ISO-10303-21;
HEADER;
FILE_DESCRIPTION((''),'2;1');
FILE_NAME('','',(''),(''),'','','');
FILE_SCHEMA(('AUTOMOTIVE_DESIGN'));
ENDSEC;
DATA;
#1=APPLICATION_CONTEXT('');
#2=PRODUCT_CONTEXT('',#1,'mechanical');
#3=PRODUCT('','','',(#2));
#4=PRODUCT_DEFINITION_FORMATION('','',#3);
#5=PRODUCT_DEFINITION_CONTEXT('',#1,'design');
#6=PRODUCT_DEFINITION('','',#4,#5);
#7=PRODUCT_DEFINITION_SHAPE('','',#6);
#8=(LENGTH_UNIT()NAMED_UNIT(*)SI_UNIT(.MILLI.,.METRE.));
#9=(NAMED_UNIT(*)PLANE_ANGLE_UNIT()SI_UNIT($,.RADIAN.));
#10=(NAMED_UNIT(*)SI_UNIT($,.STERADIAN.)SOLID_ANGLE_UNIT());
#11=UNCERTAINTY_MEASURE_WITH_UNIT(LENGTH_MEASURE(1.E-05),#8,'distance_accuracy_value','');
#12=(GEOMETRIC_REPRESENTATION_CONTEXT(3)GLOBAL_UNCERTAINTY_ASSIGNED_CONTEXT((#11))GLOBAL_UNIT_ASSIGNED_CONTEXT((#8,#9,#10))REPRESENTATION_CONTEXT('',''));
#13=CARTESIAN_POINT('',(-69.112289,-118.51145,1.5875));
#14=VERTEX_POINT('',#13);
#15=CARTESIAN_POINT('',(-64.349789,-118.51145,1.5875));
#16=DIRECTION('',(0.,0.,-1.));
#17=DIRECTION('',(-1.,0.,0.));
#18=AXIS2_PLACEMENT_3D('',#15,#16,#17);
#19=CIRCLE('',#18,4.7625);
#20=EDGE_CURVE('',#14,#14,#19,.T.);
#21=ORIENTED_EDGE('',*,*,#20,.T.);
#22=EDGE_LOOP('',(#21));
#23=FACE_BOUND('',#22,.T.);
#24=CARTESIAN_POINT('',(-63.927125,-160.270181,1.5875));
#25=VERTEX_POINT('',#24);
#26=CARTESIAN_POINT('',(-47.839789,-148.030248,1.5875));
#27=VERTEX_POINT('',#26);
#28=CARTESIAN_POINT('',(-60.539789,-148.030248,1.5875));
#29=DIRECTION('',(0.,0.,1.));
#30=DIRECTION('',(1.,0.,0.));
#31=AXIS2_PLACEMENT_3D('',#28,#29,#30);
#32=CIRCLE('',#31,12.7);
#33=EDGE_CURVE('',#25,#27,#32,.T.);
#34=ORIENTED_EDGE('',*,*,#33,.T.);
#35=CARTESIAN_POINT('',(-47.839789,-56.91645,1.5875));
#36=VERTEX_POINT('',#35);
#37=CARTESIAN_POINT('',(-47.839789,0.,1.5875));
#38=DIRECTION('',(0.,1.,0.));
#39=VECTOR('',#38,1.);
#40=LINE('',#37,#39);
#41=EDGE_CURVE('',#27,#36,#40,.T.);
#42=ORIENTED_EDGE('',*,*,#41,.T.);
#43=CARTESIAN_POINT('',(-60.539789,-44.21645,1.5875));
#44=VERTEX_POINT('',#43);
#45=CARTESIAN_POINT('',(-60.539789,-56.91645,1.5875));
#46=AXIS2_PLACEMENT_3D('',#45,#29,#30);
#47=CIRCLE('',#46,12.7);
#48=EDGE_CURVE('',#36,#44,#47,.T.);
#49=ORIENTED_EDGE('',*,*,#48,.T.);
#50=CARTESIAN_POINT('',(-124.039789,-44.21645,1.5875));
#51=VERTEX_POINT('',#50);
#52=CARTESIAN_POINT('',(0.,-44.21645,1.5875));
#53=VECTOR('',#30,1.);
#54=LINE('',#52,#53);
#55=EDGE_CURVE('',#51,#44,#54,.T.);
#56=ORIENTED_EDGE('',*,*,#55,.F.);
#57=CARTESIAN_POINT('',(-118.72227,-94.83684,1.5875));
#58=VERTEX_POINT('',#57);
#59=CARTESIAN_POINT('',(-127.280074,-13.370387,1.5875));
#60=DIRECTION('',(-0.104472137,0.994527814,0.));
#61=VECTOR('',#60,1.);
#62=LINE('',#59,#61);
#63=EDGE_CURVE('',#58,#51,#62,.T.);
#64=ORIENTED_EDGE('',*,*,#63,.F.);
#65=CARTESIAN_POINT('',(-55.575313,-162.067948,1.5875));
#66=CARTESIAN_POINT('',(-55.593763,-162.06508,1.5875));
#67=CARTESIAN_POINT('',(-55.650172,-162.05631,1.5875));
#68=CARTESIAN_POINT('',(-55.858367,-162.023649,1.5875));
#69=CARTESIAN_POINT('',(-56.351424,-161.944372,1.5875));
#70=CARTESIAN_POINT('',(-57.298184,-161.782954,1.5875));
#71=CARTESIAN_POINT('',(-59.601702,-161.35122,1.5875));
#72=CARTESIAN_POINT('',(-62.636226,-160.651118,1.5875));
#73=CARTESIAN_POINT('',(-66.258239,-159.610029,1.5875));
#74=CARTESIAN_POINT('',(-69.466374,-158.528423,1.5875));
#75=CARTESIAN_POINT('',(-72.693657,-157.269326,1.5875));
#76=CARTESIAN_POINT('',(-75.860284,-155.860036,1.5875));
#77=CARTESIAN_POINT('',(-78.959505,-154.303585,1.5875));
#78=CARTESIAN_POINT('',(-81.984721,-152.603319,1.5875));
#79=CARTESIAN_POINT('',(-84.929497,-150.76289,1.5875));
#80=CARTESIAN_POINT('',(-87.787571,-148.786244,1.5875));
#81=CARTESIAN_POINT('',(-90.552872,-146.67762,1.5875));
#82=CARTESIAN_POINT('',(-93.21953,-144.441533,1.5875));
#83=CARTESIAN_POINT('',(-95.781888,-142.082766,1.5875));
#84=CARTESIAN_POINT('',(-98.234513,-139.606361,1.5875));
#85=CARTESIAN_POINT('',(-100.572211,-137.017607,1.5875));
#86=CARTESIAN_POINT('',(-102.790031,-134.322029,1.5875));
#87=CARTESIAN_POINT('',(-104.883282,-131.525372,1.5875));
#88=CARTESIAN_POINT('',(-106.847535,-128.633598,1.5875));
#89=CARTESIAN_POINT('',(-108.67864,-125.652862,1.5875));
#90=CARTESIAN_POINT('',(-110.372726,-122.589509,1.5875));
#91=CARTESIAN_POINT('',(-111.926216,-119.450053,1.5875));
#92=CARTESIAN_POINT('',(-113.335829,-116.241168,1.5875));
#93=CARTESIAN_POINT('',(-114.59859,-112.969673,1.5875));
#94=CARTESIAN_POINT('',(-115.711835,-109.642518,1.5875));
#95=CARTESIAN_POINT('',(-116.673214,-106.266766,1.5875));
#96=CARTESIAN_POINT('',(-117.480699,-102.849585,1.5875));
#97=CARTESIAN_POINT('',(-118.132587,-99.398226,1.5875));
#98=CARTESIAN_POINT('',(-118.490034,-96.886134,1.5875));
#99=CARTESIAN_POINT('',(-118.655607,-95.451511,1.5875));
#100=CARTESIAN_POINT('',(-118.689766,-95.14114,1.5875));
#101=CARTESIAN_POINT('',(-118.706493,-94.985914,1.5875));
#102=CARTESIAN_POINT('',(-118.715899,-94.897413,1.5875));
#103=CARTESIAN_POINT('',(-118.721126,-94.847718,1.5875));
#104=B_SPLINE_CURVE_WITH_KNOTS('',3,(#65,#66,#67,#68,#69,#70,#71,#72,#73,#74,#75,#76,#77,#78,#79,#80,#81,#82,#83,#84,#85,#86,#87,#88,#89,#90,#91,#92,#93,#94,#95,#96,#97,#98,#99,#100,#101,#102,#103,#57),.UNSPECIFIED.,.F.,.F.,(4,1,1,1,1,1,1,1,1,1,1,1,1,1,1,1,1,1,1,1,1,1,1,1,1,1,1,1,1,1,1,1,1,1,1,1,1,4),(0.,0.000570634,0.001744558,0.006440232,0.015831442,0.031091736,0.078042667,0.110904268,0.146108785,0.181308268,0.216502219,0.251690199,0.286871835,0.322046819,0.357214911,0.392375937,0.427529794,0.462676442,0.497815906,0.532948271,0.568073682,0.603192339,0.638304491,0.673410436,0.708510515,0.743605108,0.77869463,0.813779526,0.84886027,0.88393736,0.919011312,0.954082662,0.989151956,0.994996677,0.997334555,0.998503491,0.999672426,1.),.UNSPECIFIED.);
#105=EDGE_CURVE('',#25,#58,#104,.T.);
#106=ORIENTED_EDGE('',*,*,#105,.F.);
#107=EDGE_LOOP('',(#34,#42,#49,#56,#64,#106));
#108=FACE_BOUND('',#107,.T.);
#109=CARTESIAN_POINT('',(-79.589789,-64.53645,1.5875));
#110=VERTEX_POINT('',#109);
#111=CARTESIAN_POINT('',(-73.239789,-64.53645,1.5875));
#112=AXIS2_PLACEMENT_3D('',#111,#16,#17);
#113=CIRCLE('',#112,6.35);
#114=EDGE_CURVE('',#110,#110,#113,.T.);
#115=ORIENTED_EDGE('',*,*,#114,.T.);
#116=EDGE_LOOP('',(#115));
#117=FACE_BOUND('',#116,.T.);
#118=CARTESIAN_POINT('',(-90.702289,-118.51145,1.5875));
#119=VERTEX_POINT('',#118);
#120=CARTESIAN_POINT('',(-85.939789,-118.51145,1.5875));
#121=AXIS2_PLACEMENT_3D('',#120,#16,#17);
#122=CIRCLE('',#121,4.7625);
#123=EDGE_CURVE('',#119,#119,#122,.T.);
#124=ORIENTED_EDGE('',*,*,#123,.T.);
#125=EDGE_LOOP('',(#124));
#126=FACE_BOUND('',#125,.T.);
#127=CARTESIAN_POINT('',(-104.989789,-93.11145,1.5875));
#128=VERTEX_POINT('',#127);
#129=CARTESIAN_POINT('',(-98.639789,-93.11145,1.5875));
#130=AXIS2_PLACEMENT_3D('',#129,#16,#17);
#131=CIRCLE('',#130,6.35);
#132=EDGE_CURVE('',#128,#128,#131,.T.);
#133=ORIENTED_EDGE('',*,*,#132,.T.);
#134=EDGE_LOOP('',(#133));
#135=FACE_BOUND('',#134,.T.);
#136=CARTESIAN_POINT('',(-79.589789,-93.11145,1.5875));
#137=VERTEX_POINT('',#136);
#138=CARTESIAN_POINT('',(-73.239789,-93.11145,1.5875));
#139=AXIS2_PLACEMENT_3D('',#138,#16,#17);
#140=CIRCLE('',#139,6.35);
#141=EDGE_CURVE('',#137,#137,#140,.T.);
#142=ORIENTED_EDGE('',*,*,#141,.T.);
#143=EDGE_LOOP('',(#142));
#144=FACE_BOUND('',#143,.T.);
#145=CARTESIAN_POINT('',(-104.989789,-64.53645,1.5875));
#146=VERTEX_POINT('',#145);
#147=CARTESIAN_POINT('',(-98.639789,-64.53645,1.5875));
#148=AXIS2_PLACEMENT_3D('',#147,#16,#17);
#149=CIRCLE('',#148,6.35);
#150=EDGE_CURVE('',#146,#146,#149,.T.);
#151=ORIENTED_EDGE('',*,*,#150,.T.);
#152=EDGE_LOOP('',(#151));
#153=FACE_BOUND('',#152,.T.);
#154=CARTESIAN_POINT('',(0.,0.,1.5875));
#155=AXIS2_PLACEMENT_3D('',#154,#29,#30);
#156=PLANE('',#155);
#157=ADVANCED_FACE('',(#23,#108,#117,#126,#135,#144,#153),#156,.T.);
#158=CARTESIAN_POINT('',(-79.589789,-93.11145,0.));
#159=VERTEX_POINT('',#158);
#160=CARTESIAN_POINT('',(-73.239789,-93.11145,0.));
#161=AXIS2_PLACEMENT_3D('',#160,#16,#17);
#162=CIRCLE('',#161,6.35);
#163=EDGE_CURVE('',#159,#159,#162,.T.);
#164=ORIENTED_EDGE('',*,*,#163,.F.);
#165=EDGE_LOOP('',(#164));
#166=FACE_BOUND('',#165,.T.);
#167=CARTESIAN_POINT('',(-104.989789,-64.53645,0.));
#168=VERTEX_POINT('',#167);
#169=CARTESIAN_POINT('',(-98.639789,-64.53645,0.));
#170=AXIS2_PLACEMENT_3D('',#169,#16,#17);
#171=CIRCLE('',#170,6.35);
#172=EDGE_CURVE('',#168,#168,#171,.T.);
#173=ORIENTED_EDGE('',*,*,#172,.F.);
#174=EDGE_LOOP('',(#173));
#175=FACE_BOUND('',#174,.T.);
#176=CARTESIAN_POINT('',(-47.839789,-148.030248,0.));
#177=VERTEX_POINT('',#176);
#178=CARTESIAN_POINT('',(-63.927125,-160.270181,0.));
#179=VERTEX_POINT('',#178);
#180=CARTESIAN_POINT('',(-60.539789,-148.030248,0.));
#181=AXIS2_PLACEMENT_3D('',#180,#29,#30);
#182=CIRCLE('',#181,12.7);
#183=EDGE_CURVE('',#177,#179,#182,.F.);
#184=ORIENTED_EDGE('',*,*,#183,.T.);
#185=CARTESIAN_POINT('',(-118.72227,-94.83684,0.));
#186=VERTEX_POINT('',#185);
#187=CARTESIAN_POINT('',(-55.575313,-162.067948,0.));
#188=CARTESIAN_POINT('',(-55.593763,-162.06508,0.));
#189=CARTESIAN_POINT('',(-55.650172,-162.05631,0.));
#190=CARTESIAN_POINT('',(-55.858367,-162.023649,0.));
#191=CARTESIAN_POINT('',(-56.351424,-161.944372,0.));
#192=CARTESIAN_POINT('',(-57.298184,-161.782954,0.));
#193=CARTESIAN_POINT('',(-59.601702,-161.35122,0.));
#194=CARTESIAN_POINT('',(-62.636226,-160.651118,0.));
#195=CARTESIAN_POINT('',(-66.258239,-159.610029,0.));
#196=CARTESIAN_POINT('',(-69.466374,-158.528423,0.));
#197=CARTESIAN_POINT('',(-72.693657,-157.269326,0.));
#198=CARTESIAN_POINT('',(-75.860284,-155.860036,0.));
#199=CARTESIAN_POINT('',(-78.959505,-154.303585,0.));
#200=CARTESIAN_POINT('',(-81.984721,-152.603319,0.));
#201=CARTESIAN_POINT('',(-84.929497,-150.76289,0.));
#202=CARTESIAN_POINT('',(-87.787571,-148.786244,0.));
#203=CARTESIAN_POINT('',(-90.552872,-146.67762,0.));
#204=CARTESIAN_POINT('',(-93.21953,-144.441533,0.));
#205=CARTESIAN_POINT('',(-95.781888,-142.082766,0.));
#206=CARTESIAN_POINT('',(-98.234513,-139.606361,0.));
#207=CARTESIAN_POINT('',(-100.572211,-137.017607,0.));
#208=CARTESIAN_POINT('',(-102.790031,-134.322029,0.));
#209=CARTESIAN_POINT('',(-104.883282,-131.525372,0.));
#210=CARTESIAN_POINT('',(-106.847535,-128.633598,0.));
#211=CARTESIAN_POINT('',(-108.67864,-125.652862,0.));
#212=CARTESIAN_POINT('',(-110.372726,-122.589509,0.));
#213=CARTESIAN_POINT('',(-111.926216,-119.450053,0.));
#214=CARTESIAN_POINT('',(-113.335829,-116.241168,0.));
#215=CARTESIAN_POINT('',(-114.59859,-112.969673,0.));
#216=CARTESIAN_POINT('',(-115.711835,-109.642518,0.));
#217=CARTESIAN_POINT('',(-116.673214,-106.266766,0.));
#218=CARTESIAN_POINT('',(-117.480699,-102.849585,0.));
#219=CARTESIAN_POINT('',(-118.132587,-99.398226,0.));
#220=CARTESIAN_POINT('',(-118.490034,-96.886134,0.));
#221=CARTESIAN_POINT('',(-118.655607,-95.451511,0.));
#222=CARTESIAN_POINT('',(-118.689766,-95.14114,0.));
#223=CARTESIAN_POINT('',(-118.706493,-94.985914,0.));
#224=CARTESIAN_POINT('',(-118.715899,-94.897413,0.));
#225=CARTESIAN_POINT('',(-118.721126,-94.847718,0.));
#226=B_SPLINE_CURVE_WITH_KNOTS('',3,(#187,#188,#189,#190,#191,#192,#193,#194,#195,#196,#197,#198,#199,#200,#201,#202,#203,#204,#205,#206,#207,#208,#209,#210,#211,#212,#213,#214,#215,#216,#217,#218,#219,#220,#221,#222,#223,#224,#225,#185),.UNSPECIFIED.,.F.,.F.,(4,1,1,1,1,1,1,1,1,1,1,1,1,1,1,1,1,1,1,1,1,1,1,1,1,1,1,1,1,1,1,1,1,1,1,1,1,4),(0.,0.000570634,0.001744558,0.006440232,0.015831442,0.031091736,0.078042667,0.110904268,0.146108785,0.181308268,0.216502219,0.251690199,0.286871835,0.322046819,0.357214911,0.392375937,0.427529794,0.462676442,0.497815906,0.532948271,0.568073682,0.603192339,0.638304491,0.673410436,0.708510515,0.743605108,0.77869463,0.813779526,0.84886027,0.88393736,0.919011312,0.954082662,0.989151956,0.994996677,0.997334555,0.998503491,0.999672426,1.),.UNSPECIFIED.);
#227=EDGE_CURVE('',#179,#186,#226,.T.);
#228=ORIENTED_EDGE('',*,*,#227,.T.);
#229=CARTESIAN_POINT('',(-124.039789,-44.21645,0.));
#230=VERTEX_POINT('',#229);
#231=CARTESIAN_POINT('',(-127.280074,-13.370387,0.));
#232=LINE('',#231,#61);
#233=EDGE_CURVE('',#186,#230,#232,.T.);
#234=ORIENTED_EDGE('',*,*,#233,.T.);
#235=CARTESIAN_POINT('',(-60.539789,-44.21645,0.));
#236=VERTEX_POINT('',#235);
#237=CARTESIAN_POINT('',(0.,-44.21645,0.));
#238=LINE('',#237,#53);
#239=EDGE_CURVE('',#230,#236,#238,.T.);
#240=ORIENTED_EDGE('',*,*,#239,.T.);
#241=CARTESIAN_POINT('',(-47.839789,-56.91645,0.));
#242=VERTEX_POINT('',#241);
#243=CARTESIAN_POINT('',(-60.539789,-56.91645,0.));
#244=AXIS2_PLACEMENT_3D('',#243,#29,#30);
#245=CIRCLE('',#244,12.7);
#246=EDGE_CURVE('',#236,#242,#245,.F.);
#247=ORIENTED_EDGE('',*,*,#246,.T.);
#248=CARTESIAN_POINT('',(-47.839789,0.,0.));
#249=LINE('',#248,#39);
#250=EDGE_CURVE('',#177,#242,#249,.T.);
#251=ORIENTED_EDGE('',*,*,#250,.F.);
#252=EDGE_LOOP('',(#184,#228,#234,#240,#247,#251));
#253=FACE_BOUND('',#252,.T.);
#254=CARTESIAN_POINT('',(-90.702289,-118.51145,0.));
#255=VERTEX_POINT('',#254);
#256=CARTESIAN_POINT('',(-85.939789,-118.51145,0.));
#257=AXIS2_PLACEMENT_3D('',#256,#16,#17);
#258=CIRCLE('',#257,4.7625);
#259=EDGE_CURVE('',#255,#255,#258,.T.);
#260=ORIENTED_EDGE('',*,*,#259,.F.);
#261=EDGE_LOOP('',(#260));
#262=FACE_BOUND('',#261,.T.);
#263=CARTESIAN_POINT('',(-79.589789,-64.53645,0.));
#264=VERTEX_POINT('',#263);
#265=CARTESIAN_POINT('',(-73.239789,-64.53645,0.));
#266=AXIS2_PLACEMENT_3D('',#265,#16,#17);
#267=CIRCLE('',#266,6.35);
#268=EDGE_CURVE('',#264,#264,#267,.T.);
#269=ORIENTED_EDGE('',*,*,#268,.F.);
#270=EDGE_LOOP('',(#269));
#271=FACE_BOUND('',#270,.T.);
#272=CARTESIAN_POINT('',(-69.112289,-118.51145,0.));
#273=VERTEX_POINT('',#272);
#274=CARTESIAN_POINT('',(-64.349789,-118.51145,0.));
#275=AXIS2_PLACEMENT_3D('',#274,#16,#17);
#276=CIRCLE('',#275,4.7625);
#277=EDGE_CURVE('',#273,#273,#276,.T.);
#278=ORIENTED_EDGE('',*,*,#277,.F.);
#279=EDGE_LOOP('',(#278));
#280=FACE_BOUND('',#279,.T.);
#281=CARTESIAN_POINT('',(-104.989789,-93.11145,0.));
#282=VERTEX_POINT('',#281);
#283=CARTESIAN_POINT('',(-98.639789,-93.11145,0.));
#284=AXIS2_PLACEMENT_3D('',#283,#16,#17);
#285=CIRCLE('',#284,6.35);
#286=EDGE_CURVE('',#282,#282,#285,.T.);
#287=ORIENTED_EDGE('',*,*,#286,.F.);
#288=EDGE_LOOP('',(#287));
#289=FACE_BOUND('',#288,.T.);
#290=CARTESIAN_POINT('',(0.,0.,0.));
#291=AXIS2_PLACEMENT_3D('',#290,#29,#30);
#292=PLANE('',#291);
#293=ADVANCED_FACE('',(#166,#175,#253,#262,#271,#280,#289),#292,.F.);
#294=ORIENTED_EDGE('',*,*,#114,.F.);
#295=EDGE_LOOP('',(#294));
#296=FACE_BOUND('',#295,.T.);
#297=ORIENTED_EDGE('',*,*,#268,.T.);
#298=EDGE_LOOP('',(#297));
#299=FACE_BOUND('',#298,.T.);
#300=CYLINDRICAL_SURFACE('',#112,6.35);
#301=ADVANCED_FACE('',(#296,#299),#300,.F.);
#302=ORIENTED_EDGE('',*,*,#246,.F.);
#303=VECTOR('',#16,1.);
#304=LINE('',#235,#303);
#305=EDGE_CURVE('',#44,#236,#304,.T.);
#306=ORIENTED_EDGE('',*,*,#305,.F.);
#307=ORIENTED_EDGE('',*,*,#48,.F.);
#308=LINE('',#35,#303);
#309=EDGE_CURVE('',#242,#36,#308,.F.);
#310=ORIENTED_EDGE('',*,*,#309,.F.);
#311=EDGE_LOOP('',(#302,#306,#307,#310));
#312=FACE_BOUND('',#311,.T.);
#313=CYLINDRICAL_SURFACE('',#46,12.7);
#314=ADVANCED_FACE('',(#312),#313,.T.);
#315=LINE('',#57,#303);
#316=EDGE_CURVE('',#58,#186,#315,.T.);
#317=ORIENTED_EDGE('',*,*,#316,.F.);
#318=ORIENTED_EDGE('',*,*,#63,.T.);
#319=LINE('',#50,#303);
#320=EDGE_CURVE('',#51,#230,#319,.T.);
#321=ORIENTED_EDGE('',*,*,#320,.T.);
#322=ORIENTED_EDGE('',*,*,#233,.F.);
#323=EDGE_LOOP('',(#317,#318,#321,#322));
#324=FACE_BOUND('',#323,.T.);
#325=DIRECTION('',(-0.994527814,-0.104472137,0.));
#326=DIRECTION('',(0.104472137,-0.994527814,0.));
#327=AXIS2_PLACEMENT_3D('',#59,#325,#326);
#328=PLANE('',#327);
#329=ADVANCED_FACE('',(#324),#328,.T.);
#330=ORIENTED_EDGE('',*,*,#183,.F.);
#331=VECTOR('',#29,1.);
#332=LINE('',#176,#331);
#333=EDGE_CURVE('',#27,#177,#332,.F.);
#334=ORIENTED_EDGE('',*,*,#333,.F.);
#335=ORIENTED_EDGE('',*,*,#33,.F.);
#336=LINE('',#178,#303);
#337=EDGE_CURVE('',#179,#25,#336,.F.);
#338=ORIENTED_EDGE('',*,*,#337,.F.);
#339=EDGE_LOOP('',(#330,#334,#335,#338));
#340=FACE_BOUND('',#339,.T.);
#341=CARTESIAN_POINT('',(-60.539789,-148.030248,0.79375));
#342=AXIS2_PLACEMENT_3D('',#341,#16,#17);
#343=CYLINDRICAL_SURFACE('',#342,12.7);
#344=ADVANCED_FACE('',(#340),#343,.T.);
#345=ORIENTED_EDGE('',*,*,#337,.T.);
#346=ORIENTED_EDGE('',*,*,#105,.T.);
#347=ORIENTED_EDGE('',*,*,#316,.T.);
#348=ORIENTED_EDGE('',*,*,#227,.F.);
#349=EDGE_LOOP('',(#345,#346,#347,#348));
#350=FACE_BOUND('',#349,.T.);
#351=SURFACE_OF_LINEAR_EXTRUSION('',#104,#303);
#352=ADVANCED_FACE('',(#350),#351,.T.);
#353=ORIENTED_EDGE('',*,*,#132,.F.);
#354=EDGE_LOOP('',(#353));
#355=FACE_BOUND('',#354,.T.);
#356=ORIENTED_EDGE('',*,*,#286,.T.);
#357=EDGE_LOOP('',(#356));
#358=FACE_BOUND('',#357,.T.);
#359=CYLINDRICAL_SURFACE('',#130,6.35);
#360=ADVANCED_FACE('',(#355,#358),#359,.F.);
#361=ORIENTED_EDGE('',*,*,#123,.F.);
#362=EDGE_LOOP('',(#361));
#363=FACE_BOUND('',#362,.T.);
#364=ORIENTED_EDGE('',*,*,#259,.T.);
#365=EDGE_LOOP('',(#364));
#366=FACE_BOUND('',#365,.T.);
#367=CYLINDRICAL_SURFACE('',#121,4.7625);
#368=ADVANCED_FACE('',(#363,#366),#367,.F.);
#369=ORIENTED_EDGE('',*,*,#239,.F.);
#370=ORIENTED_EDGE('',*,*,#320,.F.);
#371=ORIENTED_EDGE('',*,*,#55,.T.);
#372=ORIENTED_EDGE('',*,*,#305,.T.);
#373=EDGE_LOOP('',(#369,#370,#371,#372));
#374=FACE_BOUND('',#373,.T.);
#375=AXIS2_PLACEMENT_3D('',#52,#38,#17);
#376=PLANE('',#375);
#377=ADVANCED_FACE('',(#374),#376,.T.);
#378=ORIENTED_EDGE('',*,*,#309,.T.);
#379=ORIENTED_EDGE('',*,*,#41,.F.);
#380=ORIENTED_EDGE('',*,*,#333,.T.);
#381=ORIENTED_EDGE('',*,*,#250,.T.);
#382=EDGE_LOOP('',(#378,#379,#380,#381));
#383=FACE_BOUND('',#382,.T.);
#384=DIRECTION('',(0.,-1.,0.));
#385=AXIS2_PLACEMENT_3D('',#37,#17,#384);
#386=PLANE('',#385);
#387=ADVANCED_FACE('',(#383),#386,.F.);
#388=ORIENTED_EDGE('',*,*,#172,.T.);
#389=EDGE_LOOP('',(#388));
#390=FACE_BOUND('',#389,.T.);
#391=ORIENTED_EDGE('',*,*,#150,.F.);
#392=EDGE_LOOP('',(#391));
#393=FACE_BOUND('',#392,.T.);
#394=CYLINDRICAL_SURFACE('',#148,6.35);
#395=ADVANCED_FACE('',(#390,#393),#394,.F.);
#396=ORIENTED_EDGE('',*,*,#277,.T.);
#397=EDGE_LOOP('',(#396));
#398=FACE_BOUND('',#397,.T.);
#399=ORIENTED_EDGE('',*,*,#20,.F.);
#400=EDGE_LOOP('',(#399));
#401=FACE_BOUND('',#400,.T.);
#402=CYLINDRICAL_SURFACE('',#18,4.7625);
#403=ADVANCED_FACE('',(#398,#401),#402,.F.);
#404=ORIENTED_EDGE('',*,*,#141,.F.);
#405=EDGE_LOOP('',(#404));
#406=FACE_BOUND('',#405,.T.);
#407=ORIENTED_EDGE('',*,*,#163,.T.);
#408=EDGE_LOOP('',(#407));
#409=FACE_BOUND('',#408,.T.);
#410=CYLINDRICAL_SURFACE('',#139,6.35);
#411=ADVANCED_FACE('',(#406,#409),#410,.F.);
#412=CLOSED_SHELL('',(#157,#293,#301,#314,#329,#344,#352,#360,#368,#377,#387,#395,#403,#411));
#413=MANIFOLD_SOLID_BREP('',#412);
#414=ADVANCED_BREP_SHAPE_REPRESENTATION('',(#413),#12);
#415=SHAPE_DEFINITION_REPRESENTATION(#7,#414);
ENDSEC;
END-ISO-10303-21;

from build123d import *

# Parameters (mm, degrees)
BOSS_EXTRUDE1_DEPTH = 1.5875
SKETCH2_R           = 4.7625
SKETCH2_R_2         = 6.35
CUT_EXTRUDE1_DEPTH  = 206.048954313
FILLET1_R           = 12.7


with BuildPart() as part:
    # Sketch1 → Boss-Extrude1 (new body)
    with BuildSketch(Plane.XY):
        with BuildLine():
            Line((-55.575312576, -162.067948142), (-47.839788583, -163.268748691))
            Line((-47.839788583, -163.268748691), (-47.839788583, -44.216449654))
            Line((-47.839788583, -44.216449654), (-124.039788583, -44.216449654))
            Line((-124.039788583, -44.216449654), (-118.722269766, -94.836839988))
            add(Edge.make_bspline(
                [(-55.575312576, -162.067948142), (-55.59376342, -162.065079619), (-55.650171893, -162.056309885), (-55.85836741, -162.023649386), (-56.351423804, -161.94437151), (-57.298183962, -161.782953677), (-59.601702252, -161.351219818), (-62.636225688, -160.651117849), (-66.258238647, -159.610029405), (-69.466373553, -158.528422888), (-72.693657497, -157.269325681), (-75.860283712, -155.860035916), (-78.959504505, -154.303585309), (-81.9847211, -152.603319472), (-84.929496882, -150.762889625), (-87.787571241, -148.786244312), (-90.552872427, -146.677620258), (-93.219530166, -144.441532812), (-95.781887647, -142.082765831), (-98.23451307, -139.606361101), (-100.572210643, -137.017607297), (-102.790031074, -134.322028508), (-104.883281533, -131.525372358), (-106.847535073, -128.633597727), (-108.67863952, -125.652862104), (-110.372725796, -122.589508584), (-111.926215689, -119.450052525), (-113.33582904, -116.24116789), (-114.598590351, -112.969673286), (-115.711834779, -109.642517734), (-116.673213527, -106.266766169), (-117.480698597, -102.849584725), (-118.13258691, -99.398225801), (-118.490033874, -96.886133888), (-118.655606827, -95.451511305), (-118.689766491, -95.14113961), (-118.706492882, -94.98591445), (-118.715898664, -94.897412794), (-118.721125626, -94.847717815), (-118.722269766, -94.836839988)],
                knots=[0, 0, 0, 0, 0.000570634, 0.001744558, 0.006440232, 0.015831442, 0.031091736, 0.078042667, 0.110904268, 0.146108785, 0.181308268, 0.216502219, 0.251690199, 0.286871835, 0.322046819, 0.357214911, 0.392375937, 0.427529794, 0.462676442, 0.497815906, 0.532948271, 0.568073682, 0.603192339, 0.638304491, 0.673410436, 0.708510515, 0.743605108, 0.77869463, 0.813779526, 0.84886027, 0.88393736, 0.919011312, 0.954082662, 0.989151956, 0.994996677, 0.997334555, 0.998503491, 0.999672426, 1, 1, 1, 1], degree=3))
        make_face()
    extrude(amount=BOSS_EXTRUDE1_DEPTH)

    # Sketch2 → Cut-Extrude1 (cut, through all)
    with BuildSketch(Plane(origin=(0, 0, 0), x_dir=(-1, 0, 0), z_dir=(0, 0, -1))):
        with Locations((64.349788583, -118.511449654)):
            Circle(SKETCH2_R)
        with Locations((85.939788583, -118.511449654)):
            Circle(SKETCH2_R)
        with Locations((73.239788583, -93.111449654)):
            Circle(SKETCH2_R_2)
        with Locations((98.639788583, -93.111449654)):
            Circle(SKETCH2_R_2)
        with Locations((98.639788583, -64.536449654)):
            Circle(SKETCH2_R_2)
        with Locations((73.239788583, -64.536449654)):
            Circle(SKETCH2_R_2)
    extrude(amount=-CUT_EXTRUDE1_DEPTH, mode=Mode.SUBTRACT)

    # Fillet1
    fillet1_edges = [part.edges().sort_by_distance(p)[0] for p in [
        (-47.839788583, -44.216449654, 0.79375),
        (-47.839788583, -163.268748691, 0.79375),
    ]]
    fillet(fillet1_edges, radius=FILLET1_R)


solid = part.part
